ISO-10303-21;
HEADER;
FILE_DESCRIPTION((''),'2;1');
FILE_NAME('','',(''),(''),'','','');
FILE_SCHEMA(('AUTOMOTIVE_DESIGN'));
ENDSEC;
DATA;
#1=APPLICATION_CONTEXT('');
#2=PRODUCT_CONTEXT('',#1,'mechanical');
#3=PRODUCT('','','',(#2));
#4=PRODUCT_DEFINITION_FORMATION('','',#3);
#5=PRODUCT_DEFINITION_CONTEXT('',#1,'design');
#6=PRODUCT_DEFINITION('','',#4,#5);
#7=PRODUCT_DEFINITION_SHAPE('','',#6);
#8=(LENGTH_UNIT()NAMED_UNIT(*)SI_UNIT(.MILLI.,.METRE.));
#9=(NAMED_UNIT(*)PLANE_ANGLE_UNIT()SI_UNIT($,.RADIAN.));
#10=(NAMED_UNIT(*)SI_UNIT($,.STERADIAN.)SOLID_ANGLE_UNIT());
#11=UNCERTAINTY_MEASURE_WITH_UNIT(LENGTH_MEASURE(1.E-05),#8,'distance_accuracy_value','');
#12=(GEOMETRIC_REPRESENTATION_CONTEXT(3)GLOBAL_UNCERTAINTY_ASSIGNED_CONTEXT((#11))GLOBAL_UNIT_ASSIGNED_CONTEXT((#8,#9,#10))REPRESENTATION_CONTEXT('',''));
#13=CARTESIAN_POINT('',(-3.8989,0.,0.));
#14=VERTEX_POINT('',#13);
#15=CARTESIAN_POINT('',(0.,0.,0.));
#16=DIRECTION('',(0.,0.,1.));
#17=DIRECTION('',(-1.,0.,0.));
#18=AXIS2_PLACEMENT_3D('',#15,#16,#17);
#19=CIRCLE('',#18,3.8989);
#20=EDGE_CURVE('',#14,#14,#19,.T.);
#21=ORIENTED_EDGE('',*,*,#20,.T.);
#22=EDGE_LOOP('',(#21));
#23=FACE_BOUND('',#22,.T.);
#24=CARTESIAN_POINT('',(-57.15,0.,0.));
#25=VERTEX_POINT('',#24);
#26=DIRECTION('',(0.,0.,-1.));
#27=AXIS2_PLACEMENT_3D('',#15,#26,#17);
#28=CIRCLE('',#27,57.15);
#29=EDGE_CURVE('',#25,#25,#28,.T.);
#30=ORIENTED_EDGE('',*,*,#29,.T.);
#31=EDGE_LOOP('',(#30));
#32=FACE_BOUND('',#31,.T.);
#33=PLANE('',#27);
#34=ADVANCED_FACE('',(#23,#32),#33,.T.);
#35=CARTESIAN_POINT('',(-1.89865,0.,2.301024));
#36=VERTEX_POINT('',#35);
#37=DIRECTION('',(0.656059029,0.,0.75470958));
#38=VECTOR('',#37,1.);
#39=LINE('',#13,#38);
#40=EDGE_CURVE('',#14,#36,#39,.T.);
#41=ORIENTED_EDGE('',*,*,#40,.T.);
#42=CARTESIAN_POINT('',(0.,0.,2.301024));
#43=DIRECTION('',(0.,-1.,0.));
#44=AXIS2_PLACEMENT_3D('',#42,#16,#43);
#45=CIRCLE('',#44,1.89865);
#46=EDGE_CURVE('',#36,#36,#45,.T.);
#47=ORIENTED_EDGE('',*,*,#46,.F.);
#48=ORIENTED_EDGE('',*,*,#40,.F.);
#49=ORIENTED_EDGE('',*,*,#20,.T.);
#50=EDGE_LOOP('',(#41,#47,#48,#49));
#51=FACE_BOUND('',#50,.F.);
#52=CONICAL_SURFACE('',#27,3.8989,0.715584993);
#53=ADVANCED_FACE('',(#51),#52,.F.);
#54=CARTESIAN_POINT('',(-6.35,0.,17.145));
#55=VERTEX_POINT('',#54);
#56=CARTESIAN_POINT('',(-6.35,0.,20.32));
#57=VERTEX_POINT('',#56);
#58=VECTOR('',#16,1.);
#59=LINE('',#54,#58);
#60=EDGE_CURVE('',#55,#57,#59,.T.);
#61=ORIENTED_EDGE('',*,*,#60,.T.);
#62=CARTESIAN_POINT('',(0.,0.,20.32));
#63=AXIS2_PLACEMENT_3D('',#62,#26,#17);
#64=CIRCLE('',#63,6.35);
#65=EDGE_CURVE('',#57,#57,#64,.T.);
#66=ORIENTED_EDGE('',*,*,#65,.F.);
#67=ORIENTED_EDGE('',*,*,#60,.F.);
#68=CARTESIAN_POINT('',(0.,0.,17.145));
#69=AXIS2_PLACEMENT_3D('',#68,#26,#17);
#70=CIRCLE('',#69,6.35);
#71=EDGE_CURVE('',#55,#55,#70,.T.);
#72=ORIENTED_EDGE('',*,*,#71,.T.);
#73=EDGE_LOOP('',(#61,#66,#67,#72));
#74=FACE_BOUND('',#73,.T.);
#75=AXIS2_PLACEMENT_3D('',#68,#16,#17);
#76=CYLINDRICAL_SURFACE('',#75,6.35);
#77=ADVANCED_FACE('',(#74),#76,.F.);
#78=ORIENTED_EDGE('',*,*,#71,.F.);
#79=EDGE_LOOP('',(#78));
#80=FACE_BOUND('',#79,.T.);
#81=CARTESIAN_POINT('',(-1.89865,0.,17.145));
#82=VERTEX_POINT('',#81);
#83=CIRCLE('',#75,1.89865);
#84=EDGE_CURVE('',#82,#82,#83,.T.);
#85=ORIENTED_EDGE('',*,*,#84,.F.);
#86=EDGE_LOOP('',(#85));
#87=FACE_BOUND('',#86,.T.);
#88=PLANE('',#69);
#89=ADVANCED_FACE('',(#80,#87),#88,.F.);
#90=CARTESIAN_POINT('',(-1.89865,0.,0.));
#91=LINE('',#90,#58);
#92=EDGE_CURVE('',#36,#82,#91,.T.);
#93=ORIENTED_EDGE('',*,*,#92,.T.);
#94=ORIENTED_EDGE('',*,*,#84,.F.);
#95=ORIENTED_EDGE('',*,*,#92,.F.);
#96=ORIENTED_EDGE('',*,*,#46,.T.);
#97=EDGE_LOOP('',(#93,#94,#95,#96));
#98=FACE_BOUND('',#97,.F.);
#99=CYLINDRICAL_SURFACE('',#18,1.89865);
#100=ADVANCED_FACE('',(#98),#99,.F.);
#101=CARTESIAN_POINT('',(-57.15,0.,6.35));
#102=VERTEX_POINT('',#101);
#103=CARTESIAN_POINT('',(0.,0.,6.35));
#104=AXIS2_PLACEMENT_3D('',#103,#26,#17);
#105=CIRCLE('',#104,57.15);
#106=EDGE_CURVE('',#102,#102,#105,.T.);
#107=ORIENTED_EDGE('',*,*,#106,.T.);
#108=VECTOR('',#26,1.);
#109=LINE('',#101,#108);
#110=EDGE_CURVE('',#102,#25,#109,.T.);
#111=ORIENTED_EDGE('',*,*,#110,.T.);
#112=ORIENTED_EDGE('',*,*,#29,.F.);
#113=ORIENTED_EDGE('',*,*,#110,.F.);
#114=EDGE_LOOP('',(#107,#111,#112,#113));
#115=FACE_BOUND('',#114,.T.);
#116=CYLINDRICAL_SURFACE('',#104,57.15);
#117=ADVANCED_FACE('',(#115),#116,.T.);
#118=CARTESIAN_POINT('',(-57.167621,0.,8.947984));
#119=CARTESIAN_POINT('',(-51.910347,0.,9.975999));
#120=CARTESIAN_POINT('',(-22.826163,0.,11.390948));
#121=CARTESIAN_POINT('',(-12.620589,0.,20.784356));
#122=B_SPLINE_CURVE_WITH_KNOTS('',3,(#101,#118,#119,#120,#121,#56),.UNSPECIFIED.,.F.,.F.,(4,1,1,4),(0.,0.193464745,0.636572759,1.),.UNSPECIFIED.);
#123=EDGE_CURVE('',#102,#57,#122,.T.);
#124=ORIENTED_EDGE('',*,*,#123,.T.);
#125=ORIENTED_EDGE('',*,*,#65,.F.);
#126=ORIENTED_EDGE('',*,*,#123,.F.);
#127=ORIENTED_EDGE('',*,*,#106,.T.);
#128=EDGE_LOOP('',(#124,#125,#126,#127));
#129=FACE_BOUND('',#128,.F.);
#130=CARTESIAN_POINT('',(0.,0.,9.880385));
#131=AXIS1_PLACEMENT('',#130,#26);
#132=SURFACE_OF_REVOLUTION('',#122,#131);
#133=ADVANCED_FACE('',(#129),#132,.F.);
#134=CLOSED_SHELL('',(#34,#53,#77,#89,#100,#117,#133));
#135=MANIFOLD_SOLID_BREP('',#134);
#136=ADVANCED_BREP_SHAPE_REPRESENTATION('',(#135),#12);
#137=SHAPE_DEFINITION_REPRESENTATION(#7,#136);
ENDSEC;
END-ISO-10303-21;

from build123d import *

# Parameters (mm, degrees)
F3_D           = 3.7973
F3_CSINK_D     = 7.7978
F3_CSINK_ANGLE = 82


with BuildPart() as f2:
    # F1 (on Front) → F2 (revolve)
    with BuildSketch(Plane.XZ):
        with BuildLine():
            Line((-57.15, 6.35), (-57.15, 0))
            Line((-57.15, 0), (0, 0))
            Line((0, 0), (0, 17.145))
            Line((0, 17.145), (-6.35, 17.145))
            Line((-6.35, 17.145), (-6.35, 20.32))
            add(Edge.make_bspline(
                [(-57.15, 6.35), (-57.1676209374, 8.9479839047), (-51.9103466137, 9.9759992485), (-22.8261630125, 11.3909479585), (-12.6205893387, 20.7843558688), (-6.35, 20.32)],
                knots=[0, 0, 0, 0, 0.1934647452, 0.6365727587, 1, 1, 1, 1], degree=3))
        make_face()
    revolve(axis=Axis((0, 0, 9.8803850124), (0, 0, -1)))

    # F3 (through all)
    with Locations(Plane(origin=(0, 0, 0), x_dir=(1, 0, 0), z_dir=(0, 0, -1))):
        with Locations((0, 0)):
            CounterSinkHole(F3_D / 2, F3_CSINK_D / 2, counter_sink_angle=F3_CSINK_ANGLE)


solid = f2.part
